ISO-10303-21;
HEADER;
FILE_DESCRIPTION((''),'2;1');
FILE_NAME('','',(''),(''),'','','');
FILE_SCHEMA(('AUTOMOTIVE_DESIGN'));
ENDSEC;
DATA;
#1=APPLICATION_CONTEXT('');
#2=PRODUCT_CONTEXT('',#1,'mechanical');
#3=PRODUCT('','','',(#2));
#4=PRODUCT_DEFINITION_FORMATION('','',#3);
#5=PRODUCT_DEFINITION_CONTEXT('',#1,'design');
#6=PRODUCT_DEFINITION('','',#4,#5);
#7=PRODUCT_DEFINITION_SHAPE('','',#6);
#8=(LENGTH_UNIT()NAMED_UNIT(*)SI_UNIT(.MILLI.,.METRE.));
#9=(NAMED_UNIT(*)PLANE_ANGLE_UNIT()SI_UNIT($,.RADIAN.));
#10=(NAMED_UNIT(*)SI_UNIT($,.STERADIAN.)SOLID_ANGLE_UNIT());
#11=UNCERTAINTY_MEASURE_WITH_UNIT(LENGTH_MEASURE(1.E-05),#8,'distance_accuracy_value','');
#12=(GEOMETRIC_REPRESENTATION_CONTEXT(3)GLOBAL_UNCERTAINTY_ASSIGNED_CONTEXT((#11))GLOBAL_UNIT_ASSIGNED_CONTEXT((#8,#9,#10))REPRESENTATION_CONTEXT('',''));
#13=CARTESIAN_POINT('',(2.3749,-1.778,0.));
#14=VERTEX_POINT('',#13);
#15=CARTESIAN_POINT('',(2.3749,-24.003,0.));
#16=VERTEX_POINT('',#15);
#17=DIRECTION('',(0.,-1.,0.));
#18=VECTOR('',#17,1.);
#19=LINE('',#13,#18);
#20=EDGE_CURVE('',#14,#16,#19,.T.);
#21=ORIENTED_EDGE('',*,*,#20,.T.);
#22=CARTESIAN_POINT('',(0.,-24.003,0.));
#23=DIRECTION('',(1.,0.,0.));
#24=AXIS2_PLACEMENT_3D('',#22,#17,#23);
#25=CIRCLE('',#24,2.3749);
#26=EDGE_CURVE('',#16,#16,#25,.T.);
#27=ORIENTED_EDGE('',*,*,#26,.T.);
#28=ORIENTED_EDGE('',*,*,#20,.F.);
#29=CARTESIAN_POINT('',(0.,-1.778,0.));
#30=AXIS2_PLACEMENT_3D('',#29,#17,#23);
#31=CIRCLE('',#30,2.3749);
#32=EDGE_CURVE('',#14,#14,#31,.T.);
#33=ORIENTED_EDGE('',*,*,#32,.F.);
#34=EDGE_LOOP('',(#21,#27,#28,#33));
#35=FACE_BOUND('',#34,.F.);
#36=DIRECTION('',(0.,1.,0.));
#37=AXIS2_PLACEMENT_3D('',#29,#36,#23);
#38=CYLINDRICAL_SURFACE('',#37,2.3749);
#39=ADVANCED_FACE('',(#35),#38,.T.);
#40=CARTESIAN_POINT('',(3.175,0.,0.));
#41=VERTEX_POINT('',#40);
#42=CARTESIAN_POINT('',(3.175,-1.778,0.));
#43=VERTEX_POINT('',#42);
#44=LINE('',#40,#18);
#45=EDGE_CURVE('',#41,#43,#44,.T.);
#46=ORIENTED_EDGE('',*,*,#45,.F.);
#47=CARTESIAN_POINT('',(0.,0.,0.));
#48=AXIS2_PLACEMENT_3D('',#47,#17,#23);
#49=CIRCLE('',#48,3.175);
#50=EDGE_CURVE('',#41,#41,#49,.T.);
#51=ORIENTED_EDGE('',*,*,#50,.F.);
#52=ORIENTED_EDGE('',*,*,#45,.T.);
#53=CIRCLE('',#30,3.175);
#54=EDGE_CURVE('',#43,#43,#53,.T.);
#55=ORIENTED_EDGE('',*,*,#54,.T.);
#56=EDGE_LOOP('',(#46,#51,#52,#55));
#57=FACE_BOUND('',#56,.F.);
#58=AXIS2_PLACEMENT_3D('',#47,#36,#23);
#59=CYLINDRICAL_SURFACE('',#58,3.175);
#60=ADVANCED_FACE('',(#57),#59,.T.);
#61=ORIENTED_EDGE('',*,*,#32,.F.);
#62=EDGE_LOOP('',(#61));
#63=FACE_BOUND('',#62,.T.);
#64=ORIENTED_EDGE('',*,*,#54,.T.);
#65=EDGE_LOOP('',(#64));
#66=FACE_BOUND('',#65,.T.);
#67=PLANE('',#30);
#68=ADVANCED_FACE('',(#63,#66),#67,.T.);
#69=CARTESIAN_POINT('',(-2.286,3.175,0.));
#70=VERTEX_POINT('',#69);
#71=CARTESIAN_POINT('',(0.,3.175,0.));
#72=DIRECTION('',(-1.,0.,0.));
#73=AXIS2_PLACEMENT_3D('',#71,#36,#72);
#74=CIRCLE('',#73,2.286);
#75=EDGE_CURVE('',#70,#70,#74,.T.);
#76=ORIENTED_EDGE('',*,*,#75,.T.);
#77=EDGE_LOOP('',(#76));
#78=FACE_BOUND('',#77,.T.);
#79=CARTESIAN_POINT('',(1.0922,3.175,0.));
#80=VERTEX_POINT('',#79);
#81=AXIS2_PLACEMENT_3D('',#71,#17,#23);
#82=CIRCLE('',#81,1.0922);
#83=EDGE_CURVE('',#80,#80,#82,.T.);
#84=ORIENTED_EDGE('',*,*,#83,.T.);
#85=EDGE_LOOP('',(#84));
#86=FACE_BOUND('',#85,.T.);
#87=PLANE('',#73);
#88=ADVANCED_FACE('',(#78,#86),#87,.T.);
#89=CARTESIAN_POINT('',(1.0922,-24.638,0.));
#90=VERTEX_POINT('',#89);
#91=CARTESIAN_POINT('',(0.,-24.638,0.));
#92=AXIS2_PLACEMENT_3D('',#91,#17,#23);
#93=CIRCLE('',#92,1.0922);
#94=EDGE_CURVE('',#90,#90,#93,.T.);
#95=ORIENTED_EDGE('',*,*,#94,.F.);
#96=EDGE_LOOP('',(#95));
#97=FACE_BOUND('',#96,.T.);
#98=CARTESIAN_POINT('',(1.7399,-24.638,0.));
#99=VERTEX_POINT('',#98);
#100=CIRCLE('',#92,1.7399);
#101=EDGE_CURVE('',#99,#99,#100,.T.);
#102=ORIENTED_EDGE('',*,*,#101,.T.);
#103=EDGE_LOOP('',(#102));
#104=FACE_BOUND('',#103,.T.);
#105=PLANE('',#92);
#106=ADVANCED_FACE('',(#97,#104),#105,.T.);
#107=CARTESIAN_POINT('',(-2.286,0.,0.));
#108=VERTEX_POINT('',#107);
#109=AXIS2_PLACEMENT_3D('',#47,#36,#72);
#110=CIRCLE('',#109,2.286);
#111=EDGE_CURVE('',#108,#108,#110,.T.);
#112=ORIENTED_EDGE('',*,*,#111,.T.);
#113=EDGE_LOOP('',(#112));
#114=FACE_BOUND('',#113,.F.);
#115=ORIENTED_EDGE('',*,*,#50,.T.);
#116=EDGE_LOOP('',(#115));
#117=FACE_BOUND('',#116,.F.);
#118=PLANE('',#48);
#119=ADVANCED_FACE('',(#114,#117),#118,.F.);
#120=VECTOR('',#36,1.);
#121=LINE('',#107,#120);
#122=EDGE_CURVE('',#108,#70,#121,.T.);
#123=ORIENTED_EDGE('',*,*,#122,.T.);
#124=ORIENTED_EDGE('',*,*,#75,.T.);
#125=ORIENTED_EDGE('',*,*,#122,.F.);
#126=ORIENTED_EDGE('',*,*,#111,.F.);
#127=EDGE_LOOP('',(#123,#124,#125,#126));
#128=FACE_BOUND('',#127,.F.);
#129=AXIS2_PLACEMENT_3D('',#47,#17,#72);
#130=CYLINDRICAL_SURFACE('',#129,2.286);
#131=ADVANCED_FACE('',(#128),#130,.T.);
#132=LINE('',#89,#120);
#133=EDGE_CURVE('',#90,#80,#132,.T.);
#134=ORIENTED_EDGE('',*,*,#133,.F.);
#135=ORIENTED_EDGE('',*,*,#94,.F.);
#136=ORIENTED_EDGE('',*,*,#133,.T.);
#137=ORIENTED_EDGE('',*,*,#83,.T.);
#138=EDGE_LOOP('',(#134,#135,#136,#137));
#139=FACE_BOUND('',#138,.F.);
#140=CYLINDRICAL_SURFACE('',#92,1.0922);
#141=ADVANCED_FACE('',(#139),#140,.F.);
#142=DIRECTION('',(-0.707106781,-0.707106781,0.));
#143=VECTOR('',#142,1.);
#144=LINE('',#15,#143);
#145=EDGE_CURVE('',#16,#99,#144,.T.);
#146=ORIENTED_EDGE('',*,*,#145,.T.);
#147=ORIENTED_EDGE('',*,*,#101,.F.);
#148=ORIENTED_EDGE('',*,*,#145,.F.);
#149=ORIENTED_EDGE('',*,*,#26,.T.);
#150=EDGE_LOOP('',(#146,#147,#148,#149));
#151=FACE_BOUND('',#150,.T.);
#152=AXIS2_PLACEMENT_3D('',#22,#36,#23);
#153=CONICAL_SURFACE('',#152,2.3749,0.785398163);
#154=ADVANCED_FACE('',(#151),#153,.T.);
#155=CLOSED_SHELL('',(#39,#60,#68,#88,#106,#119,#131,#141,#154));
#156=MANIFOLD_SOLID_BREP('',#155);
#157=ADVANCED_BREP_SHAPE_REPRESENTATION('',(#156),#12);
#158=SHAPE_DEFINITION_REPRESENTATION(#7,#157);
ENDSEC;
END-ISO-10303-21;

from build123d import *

# Parameters (mm, degrees)
F0_R     = 3.175
F1_DEPTH = 1.778
F2_R     = 2.3749
F3_DEPTH = 22.86
F4_R     = 2.286
F5_DEPTH = 3.175
F6_R     = 1.0922
F7_DEPTH = 27.814
F8_SIZE  = 0.635


with BuildPart() as f1:
    # F0 (on Front) → F1 (new body)
    with BuildSketch(Plane.XZ):
        Circle(F0_R)
    extrude(amount=F1_DEPTH)

    # F2 (on face) → F3 (join)
    with BuildSketch(Plane.XZ.offset(1.778)):
        Circle(F2_R)
    extrude(amount=F3_DEPTH)

    # F4 (on face) → F5 (join)
    with BuildSketch(Plane(origin=(0, 0, 0), x_dir=(-1, 0, 0), z_dir=(0, 1, 0))):
        Circle(F4_R)
    extrude(amount=F5_DEPTH)

    # F6 (on face) → F7 (cut, through all)
    with BuildSketch(Plane.XZ.offset(24.638)):
        Circle(F6_R)
    extrude(amount=-F7_DEPTH, mode=Mode.SUBTRACT)

    # F8
    f8_edges = [f1.edges().sort_by_distance(p)[0] for p in [
        (-2.3749, -24.638, 0),
    ]]
    chamfer(f8_edges, length=F8_SIZE)


solid = f1.part
